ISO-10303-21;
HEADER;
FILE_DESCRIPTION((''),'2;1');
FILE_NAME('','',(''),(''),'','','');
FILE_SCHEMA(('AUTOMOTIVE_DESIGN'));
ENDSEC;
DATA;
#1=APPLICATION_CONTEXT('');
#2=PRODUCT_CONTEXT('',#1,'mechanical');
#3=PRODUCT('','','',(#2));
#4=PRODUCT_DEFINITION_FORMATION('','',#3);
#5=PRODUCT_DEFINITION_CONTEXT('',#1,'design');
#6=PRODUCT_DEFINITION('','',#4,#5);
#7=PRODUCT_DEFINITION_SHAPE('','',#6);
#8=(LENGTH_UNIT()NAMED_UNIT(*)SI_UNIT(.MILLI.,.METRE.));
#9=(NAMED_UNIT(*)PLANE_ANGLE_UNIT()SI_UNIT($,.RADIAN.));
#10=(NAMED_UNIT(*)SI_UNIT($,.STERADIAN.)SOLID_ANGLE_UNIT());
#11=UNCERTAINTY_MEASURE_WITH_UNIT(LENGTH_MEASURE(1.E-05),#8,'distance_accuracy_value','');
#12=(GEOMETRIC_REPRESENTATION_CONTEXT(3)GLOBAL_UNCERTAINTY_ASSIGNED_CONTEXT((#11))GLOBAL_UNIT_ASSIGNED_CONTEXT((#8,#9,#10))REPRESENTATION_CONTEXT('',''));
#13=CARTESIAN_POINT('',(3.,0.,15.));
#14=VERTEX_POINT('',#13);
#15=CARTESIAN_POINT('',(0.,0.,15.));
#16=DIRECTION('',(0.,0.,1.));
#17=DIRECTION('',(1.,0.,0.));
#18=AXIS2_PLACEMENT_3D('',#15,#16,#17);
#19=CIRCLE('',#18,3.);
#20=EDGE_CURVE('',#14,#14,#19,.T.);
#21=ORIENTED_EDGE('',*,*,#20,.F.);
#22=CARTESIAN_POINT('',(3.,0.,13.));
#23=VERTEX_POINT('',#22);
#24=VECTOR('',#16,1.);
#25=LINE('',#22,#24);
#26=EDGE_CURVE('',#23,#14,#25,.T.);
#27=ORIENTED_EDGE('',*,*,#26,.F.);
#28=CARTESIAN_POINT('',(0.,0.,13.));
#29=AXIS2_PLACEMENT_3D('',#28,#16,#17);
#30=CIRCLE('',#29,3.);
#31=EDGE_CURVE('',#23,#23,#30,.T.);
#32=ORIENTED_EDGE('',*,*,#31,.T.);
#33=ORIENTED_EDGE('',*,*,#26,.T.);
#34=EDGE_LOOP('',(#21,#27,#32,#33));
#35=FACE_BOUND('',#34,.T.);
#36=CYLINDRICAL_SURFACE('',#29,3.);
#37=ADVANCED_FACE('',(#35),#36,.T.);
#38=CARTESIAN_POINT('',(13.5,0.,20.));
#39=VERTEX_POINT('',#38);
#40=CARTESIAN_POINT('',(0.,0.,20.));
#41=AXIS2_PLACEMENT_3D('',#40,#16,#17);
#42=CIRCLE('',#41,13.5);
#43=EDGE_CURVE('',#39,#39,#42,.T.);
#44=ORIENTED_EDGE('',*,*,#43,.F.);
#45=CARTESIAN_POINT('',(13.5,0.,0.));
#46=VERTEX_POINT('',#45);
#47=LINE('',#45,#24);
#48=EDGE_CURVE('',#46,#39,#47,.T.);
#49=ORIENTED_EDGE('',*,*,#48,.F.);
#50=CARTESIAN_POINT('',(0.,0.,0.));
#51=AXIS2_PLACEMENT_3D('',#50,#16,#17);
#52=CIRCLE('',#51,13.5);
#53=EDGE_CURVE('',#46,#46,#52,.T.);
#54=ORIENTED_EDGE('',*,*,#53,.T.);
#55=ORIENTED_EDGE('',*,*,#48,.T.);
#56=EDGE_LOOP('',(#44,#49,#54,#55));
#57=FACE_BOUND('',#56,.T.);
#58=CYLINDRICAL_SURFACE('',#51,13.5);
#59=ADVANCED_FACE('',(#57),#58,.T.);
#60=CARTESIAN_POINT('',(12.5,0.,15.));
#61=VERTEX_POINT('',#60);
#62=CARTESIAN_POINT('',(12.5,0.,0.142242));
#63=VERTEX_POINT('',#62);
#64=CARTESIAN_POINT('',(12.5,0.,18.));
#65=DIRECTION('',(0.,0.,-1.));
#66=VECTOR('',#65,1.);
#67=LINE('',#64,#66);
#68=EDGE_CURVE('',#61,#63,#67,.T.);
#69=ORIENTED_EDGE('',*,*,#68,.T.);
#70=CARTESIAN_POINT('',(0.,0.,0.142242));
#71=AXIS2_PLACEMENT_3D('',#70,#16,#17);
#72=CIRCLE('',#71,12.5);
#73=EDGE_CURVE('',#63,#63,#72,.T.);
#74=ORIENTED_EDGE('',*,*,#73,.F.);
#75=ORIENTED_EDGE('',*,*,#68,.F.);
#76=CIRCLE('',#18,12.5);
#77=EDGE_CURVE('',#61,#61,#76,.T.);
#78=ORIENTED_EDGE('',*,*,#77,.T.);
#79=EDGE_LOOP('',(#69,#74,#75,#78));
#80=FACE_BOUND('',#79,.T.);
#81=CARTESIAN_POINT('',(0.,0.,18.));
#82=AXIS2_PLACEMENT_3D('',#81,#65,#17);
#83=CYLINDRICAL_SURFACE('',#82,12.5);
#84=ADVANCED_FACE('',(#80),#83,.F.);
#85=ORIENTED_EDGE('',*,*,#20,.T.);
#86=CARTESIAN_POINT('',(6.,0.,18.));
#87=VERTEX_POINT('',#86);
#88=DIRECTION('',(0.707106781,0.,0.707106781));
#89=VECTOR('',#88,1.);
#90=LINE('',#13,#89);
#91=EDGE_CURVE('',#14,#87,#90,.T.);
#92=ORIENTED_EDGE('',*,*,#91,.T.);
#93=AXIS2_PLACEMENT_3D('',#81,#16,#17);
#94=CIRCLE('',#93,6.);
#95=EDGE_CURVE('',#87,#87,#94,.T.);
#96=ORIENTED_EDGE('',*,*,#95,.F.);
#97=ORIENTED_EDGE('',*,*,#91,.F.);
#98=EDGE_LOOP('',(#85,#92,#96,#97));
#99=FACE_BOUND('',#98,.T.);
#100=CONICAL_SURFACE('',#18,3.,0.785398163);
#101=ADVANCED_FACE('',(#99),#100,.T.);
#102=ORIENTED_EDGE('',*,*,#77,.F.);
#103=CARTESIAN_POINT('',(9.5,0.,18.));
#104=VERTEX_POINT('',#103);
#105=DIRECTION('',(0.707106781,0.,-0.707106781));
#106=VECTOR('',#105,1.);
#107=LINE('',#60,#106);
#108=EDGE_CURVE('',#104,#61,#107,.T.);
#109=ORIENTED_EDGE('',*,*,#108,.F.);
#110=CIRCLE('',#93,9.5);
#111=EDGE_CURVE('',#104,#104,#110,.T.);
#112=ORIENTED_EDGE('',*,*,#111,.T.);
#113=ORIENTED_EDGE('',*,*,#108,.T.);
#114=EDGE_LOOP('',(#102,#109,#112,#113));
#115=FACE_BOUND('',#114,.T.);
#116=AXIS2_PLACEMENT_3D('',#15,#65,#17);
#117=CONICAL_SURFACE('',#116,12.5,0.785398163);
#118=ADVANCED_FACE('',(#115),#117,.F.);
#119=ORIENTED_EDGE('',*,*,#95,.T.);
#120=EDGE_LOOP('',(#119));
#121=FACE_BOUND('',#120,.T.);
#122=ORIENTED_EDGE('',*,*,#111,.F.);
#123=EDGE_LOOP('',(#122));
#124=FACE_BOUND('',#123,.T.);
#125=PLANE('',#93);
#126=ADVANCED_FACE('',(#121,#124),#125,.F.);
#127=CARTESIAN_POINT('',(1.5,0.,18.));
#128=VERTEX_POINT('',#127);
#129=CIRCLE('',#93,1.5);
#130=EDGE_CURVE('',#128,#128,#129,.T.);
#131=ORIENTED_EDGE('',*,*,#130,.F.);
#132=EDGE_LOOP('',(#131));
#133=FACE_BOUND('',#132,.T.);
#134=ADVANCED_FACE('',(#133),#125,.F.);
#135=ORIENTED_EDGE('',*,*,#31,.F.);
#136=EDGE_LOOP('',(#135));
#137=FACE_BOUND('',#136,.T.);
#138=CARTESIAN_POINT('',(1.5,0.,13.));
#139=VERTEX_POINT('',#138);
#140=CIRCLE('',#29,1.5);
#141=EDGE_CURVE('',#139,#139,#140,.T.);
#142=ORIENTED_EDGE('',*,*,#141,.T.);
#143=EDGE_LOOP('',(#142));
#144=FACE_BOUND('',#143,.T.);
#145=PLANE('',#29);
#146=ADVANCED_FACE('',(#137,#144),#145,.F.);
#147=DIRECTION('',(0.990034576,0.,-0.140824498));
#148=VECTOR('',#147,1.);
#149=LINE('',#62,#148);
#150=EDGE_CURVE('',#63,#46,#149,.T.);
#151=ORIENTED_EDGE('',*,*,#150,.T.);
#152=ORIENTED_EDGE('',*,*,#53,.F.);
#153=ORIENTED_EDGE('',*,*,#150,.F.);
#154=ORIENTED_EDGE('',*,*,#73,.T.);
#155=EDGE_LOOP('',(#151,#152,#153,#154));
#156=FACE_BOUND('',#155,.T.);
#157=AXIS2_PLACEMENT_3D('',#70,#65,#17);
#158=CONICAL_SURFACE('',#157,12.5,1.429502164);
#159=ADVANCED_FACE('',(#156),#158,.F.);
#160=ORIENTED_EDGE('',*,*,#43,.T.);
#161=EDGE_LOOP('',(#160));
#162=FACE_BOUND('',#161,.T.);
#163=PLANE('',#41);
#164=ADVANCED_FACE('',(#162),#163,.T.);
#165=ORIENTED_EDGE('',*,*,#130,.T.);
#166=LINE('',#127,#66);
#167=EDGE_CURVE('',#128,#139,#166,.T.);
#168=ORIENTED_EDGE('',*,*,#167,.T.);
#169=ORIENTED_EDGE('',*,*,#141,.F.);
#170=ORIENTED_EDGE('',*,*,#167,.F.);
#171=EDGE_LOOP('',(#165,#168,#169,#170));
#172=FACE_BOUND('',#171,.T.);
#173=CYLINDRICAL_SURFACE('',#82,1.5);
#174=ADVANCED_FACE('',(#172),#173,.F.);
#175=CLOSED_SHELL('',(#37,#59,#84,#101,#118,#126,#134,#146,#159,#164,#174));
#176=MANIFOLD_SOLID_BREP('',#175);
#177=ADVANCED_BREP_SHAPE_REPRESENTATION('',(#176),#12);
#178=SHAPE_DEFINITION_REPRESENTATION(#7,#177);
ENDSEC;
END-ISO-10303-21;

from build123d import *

# Parameters (mm, degrees)
F2_SIZE = 3


with BuildPart() as f1:
    # F0 (on Front) → F1 (revolve)
    with BuildSketch(Plane.XZ):
        Polygon((13.5, 20), (0, 20), (0, 18), (1.5, 18), (1.5, 13), (3, 13), (3, 18), (12.5, 18), (12.5, 0.142242), (13.5, 0), align=None)
    revolve(axis=Axis((0, 0, 25.805777), (0, 0, 1)))

    # F2
    f2_edges = [f1.edges().sort_by_distance(p)[0] for p in [
        (-3, 0, 18),
        (-12.5, 0, 18),
    ]]
    chamfer(f2_edges, length=F2_SIZE)


solid = f1.part
